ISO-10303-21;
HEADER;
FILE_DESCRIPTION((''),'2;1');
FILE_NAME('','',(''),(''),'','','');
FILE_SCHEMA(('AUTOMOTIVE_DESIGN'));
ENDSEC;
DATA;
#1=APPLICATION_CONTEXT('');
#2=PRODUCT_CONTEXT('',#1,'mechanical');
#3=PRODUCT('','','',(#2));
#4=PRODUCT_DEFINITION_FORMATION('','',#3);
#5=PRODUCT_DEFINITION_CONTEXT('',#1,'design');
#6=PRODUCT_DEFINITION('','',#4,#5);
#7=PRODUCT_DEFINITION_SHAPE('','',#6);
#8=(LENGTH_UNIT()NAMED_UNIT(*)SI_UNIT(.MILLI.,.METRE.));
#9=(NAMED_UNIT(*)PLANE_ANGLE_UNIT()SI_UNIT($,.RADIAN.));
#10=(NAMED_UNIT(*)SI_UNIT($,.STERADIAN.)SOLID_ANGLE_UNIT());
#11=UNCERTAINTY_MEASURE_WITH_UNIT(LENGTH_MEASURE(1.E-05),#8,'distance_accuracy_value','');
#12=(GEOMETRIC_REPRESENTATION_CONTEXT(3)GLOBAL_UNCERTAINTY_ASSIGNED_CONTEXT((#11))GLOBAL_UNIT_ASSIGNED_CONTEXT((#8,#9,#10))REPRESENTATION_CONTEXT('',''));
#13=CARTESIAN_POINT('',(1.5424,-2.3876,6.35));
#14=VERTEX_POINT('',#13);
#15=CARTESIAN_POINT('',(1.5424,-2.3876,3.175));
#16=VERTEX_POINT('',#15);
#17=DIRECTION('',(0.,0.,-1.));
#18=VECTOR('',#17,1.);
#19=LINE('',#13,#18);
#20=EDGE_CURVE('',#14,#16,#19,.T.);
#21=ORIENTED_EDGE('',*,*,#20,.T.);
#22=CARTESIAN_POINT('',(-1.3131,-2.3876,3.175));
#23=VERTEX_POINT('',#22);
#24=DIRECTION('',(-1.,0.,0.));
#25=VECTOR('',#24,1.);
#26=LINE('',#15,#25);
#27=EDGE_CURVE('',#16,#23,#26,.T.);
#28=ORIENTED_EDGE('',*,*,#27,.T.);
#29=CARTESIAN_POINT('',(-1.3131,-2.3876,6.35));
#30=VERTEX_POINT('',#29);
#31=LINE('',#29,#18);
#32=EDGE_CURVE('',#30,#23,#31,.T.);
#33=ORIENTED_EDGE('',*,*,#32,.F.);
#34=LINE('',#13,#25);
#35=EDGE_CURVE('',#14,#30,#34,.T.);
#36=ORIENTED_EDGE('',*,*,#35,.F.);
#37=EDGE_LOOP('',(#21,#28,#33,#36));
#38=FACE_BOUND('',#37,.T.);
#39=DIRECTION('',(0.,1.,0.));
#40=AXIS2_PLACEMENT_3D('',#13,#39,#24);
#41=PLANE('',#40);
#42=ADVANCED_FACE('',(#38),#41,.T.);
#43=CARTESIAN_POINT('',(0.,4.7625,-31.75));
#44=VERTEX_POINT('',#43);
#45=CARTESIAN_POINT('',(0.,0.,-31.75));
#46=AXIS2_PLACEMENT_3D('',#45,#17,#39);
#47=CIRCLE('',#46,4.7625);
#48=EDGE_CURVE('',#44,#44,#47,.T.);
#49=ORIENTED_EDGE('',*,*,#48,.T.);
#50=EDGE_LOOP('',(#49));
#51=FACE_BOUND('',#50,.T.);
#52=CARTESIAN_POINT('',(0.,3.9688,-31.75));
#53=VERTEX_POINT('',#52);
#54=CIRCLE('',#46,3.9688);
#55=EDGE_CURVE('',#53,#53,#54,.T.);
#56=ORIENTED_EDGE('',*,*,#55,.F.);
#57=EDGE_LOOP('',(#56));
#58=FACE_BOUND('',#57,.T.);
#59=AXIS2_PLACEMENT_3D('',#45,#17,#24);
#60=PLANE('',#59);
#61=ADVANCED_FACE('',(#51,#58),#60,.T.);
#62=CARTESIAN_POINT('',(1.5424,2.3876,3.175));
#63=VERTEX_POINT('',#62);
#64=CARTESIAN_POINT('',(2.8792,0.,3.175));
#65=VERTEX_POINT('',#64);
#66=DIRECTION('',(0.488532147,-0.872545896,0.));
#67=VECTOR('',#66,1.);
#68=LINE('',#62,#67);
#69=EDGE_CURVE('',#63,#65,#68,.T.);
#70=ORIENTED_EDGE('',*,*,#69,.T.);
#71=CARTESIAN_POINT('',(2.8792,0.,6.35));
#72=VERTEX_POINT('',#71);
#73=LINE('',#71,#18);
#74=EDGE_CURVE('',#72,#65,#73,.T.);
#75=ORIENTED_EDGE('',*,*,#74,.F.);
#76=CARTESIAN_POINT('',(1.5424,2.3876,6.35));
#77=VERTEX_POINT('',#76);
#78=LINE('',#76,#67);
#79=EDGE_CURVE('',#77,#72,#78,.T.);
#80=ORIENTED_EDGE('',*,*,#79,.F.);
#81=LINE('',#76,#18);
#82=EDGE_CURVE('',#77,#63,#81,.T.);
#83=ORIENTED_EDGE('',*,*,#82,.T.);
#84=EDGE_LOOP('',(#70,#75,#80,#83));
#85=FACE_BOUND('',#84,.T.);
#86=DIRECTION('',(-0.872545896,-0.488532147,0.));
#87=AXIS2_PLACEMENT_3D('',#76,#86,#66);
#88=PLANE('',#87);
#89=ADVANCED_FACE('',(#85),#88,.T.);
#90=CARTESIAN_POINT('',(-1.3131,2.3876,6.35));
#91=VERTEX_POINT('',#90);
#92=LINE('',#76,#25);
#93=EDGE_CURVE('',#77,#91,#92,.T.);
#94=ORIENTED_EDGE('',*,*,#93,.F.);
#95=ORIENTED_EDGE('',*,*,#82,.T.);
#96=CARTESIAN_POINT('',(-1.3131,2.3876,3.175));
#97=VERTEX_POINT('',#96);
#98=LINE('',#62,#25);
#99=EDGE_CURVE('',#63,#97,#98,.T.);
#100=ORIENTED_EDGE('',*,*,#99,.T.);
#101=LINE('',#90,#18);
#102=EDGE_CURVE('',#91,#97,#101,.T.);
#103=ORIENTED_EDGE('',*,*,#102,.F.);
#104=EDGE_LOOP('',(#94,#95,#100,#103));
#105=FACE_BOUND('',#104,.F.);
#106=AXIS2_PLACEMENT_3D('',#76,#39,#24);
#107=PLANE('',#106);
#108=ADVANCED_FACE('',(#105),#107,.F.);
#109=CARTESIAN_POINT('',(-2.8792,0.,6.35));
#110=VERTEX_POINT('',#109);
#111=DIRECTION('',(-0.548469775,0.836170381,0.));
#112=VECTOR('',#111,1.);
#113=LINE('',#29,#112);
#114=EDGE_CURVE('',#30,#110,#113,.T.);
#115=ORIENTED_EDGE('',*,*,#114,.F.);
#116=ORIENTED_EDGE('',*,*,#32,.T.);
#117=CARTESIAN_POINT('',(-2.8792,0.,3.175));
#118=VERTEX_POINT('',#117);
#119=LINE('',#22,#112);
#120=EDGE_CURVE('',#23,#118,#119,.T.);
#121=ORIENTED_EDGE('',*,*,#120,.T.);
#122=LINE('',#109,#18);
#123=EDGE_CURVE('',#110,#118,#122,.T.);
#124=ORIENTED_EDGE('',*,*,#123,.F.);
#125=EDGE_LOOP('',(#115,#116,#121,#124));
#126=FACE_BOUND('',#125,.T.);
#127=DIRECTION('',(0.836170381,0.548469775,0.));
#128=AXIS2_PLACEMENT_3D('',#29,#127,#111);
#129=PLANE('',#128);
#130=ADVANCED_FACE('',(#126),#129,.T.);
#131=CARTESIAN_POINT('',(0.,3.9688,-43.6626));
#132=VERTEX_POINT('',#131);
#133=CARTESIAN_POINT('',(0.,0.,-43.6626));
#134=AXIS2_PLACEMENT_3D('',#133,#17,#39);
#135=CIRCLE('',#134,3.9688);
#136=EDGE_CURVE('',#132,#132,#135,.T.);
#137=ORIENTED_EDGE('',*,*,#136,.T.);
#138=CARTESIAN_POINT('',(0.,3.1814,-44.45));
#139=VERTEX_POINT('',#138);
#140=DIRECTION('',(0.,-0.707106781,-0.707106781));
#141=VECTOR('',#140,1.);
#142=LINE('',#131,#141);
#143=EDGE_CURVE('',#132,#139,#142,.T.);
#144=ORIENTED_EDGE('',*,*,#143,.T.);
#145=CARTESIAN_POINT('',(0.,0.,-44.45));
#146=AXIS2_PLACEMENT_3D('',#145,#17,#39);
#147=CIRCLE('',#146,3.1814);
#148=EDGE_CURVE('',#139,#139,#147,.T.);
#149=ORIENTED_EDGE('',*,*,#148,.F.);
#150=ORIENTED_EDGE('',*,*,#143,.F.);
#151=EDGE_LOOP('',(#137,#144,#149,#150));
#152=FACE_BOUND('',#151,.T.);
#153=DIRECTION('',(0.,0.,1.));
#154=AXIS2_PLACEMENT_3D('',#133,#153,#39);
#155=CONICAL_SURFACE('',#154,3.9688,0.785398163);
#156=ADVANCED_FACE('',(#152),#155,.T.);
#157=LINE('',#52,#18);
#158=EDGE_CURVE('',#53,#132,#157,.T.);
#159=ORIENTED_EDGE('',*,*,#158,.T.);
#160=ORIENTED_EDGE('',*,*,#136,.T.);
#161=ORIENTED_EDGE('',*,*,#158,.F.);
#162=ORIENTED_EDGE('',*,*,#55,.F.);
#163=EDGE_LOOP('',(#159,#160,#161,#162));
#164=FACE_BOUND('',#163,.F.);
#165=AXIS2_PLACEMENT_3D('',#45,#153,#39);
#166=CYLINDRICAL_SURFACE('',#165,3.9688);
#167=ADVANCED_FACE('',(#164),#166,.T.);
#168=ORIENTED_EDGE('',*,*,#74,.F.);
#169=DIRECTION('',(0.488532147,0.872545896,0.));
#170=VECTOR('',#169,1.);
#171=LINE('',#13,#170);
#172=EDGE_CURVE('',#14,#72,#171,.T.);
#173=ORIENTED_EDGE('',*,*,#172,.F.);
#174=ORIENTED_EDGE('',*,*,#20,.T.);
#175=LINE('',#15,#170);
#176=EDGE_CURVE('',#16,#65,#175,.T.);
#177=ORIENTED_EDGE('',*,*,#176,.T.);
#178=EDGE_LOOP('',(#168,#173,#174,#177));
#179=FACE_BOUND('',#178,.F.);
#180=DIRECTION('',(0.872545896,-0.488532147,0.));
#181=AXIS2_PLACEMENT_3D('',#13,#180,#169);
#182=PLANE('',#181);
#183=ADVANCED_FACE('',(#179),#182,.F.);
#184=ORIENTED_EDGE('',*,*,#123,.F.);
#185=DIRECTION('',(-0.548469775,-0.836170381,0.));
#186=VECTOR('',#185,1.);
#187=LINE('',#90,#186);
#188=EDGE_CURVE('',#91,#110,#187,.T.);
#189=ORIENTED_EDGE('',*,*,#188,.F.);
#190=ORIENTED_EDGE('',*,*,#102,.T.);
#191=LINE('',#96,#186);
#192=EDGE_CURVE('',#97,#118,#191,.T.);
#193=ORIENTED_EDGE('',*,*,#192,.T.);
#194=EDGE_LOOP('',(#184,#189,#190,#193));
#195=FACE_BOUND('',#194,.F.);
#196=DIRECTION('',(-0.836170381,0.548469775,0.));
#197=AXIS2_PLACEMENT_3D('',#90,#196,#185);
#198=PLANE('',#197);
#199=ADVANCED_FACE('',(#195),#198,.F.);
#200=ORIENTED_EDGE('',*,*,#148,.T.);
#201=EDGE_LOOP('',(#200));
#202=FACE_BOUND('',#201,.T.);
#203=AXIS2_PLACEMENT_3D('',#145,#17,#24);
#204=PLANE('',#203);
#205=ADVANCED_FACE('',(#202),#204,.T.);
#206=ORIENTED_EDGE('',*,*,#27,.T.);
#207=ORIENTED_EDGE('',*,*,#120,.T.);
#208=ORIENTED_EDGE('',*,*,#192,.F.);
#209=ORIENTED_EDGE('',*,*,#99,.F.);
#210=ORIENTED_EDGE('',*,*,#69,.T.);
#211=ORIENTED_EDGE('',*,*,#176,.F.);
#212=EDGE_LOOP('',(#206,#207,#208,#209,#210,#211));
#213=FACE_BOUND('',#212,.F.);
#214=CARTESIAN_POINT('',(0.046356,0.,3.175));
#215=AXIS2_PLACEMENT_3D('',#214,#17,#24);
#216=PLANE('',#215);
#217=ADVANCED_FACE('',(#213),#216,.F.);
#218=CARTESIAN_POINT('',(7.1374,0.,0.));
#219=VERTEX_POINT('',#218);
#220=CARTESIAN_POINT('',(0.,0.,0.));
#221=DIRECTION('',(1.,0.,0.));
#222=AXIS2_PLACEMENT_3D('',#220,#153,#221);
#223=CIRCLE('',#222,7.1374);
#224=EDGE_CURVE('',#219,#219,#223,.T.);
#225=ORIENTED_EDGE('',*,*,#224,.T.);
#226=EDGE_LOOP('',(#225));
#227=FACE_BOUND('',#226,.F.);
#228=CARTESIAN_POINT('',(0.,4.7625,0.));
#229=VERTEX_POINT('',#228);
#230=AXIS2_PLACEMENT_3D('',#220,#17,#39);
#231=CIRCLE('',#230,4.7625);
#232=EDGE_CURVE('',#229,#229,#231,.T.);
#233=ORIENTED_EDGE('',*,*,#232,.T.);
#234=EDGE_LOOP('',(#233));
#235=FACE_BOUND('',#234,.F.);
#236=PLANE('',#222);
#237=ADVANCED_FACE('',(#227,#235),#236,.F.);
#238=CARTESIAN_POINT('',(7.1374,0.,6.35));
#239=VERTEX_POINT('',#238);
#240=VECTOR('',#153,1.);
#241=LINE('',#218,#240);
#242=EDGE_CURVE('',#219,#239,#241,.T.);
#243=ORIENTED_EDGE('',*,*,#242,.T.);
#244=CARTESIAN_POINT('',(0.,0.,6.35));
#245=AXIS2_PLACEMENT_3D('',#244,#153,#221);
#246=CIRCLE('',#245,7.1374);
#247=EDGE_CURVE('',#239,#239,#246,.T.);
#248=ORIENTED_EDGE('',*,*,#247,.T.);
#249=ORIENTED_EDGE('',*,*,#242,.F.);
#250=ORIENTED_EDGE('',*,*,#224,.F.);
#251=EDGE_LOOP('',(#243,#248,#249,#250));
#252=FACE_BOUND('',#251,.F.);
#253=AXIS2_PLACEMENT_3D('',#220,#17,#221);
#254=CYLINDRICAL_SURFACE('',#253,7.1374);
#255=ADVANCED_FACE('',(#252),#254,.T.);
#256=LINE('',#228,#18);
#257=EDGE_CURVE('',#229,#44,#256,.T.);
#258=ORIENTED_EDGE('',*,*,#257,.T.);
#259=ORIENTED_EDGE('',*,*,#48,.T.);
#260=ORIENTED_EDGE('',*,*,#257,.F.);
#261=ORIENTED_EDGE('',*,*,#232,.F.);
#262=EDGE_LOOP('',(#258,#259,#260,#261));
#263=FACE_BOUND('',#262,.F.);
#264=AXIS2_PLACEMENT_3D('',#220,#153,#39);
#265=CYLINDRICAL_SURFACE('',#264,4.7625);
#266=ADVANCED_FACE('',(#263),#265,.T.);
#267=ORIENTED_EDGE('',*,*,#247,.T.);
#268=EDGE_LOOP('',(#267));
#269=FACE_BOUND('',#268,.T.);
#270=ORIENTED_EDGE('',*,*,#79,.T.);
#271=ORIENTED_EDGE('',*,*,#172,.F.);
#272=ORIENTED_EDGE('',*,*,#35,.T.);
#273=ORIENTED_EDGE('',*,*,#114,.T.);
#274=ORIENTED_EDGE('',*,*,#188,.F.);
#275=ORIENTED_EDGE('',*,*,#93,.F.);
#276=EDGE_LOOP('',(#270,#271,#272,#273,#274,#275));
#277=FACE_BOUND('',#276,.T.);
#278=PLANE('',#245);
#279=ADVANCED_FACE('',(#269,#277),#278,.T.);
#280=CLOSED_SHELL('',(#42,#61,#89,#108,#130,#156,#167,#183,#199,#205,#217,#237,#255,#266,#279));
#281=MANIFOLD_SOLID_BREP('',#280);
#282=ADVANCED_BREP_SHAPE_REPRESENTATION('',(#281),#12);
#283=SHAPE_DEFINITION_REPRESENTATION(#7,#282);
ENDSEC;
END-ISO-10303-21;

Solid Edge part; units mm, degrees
sketch "Sketch1" plane through (0, 0, 0) normal (0, 0, 1) x (1, 0, 0)
  circle A0 centre (0, 0) radius 7.1374
  dimension "D1" = 14.2748
extrude "Protrusion1" add sketch "Sketch1" along normal blind 6.35
sketch "Sketch2" plane through (0, 0, 0) normal (0, 0, -1) x (0, 1, 0)
  circle A0 centre (0, 0) radius 4.7625
  dimension "D1" = 9.525
extrude "Protrusion2" add sketch "Sketch2" along normal blind 31.75
sketch "Sketch3" plane through (0, 0, -31.75) normal (0, 0, -1) x (0, 1, 0)
  circle A0 centre (0, 0) radius 3.9688
  dimension "D1" = 7.9375
extrude "Protrusion3" add sketch "Sketch3" along normal blind 12.7
sketch "Sketch4" plane through (0, 0, 6.35) normal (0, 0, 1) x (0, 1, 0)
  line L0 (-2.3876, 1.3131) -> (0, 2.8792)
  line L1 (-2.3876, -1.5424) -> (-2.3876, 1.3131)
  line L2 (-2.3876, -1.5424) -> (0, -2.8792)
  line L3 (2.3876, -1.5424) -> (0, -2.8792)
  line L4 (2.3876, -1.5424) -> (2.3876, 1.3131)
  line L5 (2.3876, 1.3131) -> (0, 2.8792)
  dimension "D1" = 4.7752
extrude "Cutout1" cut sketch "Sketch4" against normal blind 3.175
chamfer "Chamfer1" distance 0.7874 angle 45 1 edges at (0, -3.9688, -44.45)
properties part number "127795"
